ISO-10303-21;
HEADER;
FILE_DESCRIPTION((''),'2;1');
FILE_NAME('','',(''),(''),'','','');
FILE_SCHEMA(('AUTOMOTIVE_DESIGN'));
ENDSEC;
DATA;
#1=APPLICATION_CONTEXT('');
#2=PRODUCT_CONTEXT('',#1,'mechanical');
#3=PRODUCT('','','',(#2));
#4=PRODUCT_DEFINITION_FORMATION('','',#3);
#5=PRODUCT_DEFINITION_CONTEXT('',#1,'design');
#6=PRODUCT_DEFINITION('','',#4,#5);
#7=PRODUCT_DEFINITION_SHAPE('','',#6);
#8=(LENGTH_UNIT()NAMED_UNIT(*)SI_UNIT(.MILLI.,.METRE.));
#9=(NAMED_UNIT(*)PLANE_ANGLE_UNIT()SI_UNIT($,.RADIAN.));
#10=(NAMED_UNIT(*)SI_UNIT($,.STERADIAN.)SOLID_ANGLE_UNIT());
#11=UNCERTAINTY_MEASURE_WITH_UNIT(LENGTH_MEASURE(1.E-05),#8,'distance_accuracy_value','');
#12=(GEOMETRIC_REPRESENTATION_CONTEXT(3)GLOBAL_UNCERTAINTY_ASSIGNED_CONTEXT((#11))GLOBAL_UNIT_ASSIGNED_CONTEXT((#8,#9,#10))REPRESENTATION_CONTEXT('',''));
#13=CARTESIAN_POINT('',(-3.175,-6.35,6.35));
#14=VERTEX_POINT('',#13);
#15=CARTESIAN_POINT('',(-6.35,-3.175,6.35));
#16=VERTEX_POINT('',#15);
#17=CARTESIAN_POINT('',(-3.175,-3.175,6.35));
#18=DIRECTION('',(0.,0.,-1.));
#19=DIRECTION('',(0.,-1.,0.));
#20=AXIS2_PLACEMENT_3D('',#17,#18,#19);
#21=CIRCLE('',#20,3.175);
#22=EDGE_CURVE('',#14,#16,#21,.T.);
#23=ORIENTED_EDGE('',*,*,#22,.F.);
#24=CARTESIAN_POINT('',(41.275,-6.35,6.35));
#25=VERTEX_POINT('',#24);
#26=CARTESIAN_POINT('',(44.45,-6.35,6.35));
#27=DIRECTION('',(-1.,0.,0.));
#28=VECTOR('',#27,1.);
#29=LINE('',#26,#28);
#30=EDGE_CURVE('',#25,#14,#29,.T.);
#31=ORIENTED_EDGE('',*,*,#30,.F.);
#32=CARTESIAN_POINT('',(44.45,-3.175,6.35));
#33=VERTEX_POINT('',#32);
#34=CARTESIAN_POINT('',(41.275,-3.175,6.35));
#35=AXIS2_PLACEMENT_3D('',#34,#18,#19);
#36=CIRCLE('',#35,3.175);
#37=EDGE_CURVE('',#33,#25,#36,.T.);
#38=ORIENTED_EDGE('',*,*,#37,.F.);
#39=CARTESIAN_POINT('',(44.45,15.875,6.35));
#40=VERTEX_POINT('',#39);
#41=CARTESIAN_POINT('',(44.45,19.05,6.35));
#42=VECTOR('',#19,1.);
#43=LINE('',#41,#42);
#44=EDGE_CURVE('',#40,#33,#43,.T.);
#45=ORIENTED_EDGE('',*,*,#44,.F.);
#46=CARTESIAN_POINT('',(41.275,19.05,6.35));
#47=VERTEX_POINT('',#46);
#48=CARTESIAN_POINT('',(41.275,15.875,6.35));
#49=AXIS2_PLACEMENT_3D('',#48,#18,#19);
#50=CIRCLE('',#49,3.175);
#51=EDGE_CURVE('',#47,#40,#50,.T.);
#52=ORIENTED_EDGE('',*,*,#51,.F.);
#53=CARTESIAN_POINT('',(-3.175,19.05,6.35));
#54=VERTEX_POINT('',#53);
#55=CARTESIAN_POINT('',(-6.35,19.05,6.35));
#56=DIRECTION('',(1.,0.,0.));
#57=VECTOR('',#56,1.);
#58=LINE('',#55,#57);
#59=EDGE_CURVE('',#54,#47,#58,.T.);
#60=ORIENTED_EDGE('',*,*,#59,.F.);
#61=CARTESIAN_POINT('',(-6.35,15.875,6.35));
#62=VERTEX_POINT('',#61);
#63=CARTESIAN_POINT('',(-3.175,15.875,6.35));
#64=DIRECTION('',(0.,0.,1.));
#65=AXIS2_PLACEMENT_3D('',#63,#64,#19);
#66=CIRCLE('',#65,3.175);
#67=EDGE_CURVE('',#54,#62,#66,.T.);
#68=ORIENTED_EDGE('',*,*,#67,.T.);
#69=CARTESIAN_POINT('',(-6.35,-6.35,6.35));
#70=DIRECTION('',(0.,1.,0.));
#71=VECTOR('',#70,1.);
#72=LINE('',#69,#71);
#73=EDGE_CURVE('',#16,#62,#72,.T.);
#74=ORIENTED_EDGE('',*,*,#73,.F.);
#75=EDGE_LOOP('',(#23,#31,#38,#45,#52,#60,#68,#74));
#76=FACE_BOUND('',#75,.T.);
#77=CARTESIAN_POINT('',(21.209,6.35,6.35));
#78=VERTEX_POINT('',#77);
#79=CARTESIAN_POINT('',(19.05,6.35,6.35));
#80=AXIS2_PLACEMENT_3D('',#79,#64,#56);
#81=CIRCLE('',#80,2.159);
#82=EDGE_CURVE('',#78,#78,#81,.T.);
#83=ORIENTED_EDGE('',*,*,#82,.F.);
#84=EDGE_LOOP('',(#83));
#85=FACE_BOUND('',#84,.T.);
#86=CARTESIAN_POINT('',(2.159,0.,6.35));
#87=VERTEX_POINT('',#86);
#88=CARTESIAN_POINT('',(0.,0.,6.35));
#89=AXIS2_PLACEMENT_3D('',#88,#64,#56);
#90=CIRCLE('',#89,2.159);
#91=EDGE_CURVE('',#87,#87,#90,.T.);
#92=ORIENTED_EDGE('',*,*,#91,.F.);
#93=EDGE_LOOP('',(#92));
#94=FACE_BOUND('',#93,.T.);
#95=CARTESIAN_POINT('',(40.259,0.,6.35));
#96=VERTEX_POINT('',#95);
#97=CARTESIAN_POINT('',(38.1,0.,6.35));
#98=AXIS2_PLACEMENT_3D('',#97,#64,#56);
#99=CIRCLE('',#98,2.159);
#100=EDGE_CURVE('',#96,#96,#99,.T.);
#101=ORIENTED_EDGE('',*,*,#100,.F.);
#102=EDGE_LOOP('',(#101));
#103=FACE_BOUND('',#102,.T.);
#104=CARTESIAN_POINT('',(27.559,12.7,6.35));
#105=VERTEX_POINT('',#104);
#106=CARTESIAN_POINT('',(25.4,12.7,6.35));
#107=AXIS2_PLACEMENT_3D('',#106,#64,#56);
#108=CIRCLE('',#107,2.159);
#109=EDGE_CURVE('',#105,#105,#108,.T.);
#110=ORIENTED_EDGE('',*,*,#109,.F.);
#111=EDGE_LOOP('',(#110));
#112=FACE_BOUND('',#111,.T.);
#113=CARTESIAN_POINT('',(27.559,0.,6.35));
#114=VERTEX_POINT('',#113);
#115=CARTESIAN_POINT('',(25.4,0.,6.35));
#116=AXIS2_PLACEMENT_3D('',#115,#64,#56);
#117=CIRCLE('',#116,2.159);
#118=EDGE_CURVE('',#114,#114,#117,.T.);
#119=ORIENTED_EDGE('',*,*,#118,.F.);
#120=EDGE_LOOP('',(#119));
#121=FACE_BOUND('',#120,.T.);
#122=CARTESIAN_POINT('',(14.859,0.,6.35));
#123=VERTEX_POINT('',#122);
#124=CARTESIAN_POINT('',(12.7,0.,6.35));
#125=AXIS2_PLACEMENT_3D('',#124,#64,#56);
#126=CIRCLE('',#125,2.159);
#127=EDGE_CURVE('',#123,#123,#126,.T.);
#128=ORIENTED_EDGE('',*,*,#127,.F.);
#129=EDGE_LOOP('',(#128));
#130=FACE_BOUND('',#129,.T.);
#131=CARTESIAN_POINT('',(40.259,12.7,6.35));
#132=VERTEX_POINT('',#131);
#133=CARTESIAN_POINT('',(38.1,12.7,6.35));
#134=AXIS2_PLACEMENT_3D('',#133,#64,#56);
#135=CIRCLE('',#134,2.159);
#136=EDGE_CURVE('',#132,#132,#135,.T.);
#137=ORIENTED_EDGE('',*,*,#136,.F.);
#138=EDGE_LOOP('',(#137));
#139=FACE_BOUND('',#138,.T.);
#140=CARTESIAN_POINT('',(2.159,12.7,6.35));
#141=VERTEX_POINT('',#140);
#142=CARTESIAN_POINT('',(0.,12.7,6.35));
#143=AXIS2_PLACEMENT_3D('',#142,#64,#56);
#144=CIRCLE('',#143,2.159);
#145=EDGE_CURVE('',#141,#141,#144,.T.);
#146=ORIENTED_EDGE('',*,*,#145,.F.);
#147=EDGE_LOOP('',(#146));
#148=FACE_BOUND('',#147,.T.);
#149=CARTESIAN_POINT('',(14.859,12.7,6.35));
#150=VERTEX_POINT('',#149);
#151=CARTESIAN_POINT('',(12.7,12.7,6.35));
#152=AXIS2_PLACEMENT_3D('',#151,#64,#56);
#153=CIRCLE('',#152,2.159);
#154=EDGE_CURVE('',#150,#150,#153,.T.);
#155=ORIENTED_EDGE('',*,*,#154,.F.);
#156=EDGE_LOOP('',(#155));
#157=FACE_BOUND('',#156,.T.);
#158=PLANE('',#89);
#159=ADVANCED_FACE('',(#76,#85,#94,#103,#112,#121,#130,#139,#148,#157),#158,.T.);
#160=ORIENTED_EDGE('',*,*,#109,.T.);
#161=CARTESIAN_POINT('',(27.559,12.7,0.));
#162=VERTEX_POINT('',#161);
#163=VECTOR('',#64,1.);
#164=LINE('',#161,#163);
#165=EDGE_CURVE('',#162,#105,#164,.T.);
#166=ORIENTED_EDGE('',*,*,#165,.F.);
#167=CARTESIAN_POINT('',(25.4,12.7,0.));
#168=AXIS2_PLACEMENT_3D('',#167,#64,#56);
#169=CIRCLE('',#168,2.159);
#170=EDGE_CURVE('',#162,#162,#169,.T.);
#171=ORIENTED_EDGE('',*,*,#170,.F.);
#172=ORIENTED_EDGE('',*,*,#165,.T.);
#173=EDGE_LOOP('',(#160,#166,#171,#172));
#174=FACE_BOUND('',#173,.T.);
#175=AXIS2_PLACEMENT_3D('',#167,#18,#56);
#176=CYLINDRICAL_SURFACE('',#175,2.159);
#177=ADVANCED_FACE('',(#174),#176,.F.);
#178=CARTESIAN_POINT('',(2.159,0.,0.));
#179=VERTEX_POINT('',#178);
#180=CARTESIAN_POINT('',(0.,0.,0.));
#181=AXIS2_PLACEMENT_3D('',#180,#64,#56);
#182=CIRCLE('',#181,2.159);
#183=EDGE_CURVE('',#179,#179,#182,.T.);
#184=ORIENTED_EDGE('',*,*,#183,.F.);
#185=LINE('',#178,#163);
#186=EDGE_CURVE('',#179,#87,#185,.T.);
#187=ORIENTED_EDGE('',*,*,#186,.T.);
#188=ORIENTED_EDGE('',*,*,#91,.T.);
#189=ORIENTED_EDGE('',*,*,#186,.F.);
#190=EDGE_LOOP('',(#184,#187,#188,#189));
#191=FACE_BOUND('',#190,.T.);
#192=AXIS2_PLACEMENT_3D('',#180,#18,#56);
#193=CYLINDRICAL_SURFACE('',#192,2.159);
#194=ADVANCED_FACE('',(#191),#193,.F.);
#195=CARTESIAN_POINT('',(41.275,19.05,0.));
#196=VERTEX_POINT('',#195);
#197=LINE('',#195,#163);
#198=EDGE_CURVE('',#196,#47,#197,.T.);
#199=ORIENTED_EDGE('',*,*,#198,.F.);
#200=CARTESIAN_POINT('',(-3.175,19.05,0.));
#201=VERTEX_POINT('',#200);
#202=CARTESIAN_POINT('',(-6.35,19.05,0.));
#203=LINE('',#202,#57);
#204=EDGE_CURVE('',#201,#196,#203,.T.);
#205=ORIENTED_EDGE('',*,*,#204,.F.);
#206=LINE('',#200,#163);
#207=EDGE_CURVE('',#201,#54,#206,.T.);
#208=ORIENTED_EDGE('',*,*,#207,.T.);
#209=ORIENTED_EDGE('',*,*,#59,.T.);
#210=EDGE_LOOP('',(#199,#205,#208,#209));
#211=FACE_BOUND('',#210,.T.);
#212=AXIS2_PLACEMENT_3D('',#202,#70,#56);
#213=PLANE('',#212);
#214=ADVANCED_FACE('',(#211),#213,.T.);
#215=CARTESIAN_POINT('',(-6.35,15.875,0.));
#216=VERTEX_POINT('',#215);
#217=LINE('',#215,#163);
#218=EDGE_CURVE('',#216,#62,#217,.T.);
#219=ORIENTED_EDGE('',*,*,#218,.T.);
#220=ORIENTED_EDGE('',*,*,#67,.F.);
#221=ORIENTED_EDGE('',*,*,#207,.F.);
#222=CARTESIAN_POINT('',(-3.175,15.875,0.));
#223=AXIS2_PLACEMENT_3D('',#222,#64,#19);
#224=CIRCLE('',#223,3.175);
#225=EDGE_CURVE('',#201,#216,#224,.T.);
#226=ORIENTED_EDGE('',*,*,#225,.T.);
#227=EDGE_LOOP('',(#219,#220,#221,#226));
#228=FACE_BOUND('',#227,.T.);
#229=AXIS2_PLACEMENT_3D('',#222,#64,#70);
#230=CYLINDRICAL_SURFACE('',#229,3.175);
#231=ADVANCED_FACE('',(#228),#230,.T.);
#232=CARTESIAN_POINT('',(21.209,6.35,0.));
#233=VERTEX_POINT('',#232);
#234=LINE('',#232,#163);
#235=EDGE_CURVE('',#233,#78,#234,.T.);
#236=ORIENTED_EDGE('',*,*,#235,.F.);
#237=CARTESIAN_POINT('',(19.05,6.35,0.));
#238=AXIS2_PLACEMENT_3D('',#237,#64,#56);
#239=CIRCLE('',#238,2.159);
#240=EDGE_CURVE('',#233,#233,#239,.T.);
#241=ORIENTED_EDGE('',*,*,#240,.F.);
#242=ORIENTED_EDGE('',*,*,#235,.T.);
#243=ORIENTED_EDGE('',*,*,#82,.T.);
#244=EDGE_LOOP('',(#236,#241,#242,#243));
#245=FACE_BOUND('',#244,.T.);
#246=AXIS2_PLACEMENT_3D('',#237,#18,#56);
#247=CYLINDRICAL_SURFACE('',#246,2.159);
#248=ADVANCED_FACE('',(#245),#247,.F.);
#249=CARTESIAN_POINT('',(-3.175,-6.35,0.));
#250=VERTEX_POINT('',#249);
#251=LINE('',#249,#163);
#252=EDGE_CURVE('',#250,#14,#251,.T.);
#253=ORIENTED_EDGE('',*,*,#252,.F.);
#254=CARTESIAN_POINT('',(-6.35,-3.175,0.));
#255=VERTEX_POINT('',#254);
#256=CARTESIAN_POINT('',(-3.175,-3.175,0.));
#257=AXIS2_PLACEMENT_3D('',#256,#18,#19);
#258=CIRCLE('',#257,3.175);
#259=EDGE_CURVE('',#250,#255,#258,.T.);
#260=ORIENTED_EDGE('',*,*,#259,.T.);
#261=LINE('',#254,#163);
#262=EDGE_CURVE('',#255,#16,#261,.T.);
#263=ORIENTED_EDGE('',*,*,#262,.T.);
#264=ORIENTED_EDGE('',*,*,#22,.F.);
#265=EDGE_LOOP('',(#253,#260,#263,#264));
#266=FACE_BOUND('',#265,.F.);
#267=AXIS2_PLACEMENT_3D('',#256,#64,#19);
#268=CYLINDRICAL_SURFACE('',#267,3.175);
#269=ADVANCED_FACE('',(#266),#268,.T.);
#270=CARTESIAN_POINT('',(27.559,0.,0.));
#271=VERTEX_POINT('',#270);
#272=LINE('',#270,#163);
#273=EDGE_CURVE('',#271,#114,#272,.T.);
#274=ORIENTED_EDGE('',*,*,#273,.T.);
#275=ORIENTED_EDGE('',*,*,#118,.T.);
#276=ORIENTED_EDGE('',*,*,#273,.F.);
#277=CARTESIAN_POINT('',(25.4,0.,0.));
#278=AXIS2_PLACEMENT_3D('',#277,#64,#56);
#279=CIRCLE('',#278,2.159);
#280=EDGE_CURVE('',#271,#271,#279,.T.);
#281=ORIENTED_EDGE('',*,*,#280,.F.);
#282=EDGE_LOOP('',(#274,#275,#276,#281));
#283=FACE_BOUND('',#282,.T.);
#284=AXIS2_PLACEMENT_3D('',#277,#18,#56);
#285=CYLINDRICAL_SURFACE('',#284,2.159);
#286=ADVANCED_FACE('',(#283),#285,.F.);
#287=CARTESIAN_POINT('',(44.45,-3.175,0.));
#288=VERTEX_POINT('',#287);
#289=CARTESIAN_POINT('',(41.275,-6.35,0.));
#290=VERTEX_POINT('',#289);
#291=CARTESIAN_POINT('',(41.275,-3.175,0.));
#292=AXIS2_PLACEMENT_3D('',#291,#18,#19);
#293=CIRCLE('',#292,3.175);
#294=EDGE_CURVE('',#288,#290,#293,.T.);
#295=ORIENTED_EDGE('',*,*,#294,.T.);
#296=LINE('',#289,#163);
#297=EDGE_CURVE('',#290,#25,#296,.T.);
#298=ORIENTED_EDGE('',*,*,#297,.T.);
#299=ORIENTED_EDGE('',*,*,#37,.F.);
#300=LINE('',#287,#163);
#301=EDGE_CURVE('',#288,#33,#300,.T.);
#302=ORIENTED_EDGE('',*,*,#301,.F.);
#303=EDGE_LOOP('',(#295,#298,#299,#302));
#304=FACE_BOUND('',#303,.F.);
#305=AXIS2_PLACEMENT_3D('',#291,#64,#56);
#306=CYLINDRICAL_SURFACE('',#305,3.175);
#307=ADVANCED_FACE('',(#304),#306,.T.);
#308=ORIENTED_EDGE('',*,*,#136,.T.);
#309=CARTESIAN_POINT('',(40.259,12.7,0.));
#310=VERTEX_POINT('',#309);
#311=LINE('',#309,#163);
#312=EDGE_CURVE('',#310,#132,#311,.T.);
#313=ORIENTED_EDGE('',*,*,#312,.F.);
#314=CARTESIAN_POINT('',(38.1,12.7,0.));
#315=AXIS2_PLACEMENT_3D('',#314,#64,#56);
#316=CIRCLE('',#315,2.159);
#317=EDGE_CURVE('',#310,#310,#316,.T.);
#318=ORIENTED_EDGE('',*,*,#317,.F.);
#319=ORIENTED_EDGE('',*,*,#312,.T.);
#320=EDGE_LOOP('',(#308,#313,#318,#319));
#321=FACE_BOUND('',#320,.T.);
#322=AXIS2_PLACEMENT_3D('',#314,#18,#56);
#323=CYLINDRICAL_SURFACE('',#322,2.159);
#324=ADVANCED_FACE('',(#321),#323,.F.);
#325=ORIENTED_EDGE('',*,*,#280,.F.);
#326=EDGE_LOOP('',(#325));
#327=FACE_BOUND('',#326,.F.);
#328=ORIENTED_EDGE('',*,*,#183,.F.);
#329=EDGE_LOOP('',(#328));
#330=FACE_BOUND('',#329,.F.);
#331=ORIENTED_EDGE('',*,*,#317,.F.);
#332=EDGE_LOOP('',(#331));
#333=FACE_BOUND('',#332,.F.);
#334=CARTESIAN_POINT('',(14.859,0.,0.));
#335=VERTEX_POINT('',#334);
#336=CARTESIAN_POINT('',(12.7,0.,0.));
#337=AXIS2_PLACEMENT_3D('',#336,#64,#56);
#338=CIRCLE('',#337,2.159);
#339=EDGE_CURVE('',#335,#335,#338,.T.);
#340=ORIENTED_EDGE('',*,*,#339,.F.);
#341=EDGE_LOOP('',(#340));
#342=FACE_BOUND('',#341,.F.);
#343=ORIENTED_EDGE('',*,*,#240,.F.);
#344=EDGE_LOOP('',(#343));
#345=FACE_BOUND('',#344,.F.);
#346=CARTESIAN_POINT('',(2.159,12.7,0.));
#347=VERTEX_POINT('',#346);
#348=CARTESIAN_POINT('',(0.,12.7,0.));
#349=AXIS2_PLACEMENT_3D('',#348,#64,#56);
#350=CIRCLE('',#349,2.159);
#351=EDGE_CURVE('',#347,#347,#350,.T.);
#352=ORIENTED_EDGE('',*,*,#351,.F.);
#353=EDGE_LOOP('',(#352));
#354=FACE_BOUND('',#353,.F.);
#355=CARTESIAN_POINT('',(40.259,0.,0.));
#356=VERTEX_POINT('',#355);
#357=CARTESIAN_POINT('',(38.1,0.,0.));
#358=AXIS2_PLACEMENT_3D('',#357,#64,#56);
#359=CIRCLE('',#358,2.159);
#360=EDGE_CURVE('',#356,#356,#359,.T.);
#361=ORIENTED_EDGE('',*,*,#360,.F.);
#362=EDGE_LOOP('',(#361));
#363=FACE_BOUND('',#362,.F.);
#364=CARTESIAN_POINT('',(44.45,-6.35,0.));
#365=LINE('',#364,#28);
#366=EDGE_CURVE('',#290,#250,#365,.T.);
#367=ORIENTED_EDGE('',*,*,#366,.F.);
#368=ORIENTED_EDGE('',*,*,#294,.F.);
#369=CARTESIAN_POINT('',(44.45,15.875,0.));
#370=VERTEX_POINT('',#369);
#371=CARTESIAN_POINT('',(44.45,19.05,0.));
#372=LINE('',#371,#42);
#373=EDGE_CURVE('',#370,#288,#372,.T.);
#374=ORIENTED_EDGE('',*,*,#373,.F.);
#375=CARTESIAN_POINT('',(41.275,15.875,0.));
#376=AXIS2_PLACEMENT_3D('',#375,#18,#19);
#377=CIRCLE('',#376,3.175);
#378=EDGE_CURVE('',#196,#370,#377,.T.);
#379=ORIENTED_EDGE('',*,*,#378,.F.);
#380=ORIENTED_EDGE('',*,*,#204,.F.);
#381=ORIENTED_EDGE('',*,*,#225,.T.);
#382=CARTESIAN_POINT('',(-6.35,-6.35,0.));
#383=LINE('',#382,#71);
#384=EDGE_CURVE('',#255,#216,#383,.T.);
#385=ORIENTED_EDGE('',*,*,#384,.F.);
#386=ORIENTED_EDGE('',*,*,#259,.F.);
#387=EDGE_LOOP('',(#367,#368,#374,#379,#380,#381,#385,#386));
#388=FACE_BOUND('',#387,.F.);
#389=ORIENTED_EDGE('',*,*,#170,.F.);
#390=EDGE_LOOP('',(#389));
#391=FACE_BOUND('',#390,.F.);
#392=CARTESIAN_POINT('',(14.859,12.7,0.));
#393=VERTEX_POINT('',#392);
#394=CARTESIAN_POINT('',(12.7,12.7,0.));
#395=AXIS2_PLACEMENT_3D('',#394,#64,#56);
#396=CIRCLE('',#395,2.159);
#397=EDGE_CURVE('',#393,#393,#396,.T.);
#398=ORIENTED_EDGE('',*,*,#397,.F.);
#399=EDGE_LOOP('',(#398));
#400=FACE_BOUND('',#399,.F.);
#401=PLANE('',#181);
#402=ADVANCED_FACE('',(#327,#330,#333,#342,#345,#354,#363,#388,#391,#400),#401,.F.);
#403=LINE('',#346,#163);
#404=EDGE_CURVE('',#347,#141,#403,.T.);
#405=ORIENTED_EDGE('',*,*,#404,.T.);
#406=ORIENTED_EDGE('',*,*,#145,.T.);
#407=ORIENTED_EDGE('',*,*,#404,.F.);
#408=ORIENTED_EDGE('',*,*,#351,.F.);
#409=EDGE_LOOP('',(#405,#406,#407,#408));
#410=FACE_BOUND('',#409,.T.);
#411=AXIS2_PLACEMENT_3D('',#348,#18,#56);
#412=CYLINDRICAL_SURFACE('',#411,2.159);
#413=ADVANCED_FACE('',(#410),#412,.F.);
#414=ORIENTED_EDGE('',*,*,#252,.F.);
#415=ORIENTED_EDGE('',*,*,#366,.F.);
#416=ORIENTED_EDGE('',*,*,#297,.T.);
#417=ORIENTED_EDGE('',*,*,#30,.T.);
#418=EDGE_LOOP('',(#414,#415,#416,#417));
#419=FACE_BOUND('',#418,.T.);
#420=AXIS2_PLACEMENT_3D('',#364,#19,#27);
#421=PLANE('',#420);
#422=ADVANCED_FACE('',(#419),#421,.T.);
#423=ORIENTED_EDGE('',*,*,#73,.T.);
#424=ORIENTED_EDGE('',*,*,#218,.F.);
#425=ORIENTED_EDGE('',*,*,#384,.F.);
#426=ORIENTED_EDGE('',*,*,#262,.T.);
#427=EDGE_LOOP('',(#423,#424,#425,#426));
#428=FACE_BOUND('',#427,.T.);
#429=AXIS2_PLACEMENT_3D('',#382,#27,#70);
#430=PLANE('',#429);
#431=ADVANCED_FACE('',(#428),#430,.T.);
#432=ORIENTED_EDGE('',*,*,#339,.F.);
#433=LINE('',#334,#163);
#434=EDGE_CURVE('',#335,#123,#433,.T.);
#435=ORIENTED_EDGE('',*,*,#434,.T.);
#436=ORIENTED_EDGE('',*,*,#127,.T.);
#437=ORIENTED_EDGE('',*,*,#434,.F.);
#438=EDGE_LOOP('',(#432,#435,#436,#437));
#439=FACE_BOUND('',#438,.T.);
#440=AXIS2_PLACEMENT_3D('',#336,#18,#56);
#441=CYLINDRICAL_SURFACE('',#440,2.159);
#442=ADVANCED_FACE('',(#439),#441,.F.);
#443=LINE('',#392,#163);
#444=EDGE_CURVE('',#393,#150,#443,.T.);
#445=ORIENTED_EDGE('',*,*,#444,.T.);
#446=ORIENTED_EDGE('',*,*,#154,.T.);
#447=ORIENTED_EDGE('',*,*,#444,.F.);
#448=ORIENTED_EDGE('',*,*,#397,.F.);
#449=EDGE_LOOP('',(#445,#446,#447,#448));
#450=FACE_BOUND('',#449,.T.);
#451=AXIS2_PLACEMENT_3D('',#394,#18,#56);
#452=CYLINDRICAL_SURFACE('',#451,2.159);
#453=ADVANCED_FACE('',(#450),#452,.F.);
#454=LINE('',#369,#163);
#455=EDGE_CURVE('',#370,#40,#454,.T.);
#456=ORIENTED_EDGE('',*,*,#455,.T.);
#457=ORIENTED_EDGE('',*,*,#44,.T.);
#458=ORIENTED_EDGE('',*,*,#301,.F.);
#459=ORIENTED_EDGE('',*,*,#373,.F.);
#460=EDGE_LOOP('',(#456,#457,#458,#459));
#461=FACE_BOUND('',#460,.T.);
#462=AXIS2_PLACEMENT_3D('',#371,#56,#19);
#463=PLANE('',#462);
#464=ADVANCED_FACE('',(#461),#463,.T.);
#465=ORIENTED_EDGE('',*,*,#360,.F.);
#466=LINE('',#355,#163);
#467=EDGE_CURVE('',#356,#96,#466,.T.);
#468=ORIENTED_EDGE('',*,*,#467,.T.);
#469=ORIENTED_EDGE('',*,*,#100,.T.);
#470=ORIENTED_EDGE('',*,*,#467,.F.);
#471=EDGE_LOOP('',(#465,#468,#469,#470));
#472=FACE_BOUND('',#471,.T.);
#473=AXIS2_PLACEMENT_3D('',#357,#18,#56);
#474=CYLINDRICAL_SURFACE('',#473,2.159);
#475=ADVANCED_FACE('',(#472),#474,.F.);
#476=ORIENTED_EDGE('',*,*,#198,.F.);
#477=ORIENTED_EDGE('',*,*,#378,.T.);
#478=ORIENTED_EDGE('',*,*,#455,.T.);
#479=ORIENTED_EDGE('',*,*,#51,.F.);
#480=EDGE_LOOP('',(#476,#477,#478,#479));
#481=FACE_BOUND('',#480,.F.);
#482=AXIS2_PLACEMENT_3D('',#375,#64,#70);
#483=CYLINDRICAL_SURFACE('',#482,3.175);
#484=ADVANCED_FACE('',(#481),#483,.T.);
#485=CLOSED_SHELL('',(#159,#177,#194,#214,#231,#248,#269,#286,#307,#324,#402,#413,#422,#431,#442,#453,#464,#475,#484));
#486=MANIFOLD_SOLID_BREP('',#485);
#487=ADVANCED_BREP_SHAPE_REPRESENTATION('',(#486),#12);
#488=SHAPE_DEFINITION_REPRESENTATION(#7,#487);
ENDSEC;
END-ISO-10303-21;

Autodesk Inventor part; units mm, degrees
ref_plane "YZ Plane" through (0, 0, 0) normal (1, 0, 0) x (0, 1, 0)
ref_plane "XZ Plane" through (0, 0, 0) normal (0, 1, 0) x (-1, 0, 0)
ref_plane "XY Plane" through (0, 0, 0) normal (0, 0, 1) x (1, 0, 0)
sketch "Sketch1" plane through (0, 0, 0) normal (0, 0, 1) x (1, 0, 0)
  circle A0 centre (0, 0) radius 2.159
  line L0 (0, 0) -> (38.1, 0) construction
  line L1 (0, 0) -> (0, 12.7) construction
  circle A1 centre (12.7, 0) radius 2.159
  circle A2 centre (25.4, 0) radius 2.159
  circle A3 centre (38.1, 0) radius 2.159
  circle A4 centre (0, 12.7) radius 2.159
  circle A5 centre (12.7, 12.7) radius 2.159
  circle A6 centre (25.4, 12.7) radius 2.159
  circle A7 centre (38.1, 12.7) radius 2.159
  circle A8 centre (19.05, 6.35) radius 2.159
  line L2 (12.7, 12.7) -> (25.4, 0) construction
  line L3 (-6.35, 19.05) -> (44.45, 19.05)
  line L4 (44.45, 19.05) -> (44.45, -6.35)
  line L5 (44.45, -6.35) -> (-6.35, -6.35)
  line L6 (-6.35, -6.35) -> (-6.35, 19.05)
  circle A9 centre (0, 12.7) radius 6.35 construction
  circle A10 centre (38.1, 0) radius 6.35 construction
  dimension "d0" = 4.318
  dimension "d1" = 38.1
  dimension "d9" = 12.7
  dimension "d12" = 12.7
  dimension "d15" = 12.7
  dimension "d18" = 4.318
  dimension "d19" = 25.4
extrude "Extrusion1" add sketch "Sketch1" along normal blind 6.35
fillet "Fillet1" radius 3.175 4 edges at (44.45, 19.05, 3.175) (44.45, -6.35, 3.175) (-6.35, -6.35, 3.175) (-6.35, 19.05, 3.175)
properties part number "IntakeShoulder" material "Aluminum 6061"
